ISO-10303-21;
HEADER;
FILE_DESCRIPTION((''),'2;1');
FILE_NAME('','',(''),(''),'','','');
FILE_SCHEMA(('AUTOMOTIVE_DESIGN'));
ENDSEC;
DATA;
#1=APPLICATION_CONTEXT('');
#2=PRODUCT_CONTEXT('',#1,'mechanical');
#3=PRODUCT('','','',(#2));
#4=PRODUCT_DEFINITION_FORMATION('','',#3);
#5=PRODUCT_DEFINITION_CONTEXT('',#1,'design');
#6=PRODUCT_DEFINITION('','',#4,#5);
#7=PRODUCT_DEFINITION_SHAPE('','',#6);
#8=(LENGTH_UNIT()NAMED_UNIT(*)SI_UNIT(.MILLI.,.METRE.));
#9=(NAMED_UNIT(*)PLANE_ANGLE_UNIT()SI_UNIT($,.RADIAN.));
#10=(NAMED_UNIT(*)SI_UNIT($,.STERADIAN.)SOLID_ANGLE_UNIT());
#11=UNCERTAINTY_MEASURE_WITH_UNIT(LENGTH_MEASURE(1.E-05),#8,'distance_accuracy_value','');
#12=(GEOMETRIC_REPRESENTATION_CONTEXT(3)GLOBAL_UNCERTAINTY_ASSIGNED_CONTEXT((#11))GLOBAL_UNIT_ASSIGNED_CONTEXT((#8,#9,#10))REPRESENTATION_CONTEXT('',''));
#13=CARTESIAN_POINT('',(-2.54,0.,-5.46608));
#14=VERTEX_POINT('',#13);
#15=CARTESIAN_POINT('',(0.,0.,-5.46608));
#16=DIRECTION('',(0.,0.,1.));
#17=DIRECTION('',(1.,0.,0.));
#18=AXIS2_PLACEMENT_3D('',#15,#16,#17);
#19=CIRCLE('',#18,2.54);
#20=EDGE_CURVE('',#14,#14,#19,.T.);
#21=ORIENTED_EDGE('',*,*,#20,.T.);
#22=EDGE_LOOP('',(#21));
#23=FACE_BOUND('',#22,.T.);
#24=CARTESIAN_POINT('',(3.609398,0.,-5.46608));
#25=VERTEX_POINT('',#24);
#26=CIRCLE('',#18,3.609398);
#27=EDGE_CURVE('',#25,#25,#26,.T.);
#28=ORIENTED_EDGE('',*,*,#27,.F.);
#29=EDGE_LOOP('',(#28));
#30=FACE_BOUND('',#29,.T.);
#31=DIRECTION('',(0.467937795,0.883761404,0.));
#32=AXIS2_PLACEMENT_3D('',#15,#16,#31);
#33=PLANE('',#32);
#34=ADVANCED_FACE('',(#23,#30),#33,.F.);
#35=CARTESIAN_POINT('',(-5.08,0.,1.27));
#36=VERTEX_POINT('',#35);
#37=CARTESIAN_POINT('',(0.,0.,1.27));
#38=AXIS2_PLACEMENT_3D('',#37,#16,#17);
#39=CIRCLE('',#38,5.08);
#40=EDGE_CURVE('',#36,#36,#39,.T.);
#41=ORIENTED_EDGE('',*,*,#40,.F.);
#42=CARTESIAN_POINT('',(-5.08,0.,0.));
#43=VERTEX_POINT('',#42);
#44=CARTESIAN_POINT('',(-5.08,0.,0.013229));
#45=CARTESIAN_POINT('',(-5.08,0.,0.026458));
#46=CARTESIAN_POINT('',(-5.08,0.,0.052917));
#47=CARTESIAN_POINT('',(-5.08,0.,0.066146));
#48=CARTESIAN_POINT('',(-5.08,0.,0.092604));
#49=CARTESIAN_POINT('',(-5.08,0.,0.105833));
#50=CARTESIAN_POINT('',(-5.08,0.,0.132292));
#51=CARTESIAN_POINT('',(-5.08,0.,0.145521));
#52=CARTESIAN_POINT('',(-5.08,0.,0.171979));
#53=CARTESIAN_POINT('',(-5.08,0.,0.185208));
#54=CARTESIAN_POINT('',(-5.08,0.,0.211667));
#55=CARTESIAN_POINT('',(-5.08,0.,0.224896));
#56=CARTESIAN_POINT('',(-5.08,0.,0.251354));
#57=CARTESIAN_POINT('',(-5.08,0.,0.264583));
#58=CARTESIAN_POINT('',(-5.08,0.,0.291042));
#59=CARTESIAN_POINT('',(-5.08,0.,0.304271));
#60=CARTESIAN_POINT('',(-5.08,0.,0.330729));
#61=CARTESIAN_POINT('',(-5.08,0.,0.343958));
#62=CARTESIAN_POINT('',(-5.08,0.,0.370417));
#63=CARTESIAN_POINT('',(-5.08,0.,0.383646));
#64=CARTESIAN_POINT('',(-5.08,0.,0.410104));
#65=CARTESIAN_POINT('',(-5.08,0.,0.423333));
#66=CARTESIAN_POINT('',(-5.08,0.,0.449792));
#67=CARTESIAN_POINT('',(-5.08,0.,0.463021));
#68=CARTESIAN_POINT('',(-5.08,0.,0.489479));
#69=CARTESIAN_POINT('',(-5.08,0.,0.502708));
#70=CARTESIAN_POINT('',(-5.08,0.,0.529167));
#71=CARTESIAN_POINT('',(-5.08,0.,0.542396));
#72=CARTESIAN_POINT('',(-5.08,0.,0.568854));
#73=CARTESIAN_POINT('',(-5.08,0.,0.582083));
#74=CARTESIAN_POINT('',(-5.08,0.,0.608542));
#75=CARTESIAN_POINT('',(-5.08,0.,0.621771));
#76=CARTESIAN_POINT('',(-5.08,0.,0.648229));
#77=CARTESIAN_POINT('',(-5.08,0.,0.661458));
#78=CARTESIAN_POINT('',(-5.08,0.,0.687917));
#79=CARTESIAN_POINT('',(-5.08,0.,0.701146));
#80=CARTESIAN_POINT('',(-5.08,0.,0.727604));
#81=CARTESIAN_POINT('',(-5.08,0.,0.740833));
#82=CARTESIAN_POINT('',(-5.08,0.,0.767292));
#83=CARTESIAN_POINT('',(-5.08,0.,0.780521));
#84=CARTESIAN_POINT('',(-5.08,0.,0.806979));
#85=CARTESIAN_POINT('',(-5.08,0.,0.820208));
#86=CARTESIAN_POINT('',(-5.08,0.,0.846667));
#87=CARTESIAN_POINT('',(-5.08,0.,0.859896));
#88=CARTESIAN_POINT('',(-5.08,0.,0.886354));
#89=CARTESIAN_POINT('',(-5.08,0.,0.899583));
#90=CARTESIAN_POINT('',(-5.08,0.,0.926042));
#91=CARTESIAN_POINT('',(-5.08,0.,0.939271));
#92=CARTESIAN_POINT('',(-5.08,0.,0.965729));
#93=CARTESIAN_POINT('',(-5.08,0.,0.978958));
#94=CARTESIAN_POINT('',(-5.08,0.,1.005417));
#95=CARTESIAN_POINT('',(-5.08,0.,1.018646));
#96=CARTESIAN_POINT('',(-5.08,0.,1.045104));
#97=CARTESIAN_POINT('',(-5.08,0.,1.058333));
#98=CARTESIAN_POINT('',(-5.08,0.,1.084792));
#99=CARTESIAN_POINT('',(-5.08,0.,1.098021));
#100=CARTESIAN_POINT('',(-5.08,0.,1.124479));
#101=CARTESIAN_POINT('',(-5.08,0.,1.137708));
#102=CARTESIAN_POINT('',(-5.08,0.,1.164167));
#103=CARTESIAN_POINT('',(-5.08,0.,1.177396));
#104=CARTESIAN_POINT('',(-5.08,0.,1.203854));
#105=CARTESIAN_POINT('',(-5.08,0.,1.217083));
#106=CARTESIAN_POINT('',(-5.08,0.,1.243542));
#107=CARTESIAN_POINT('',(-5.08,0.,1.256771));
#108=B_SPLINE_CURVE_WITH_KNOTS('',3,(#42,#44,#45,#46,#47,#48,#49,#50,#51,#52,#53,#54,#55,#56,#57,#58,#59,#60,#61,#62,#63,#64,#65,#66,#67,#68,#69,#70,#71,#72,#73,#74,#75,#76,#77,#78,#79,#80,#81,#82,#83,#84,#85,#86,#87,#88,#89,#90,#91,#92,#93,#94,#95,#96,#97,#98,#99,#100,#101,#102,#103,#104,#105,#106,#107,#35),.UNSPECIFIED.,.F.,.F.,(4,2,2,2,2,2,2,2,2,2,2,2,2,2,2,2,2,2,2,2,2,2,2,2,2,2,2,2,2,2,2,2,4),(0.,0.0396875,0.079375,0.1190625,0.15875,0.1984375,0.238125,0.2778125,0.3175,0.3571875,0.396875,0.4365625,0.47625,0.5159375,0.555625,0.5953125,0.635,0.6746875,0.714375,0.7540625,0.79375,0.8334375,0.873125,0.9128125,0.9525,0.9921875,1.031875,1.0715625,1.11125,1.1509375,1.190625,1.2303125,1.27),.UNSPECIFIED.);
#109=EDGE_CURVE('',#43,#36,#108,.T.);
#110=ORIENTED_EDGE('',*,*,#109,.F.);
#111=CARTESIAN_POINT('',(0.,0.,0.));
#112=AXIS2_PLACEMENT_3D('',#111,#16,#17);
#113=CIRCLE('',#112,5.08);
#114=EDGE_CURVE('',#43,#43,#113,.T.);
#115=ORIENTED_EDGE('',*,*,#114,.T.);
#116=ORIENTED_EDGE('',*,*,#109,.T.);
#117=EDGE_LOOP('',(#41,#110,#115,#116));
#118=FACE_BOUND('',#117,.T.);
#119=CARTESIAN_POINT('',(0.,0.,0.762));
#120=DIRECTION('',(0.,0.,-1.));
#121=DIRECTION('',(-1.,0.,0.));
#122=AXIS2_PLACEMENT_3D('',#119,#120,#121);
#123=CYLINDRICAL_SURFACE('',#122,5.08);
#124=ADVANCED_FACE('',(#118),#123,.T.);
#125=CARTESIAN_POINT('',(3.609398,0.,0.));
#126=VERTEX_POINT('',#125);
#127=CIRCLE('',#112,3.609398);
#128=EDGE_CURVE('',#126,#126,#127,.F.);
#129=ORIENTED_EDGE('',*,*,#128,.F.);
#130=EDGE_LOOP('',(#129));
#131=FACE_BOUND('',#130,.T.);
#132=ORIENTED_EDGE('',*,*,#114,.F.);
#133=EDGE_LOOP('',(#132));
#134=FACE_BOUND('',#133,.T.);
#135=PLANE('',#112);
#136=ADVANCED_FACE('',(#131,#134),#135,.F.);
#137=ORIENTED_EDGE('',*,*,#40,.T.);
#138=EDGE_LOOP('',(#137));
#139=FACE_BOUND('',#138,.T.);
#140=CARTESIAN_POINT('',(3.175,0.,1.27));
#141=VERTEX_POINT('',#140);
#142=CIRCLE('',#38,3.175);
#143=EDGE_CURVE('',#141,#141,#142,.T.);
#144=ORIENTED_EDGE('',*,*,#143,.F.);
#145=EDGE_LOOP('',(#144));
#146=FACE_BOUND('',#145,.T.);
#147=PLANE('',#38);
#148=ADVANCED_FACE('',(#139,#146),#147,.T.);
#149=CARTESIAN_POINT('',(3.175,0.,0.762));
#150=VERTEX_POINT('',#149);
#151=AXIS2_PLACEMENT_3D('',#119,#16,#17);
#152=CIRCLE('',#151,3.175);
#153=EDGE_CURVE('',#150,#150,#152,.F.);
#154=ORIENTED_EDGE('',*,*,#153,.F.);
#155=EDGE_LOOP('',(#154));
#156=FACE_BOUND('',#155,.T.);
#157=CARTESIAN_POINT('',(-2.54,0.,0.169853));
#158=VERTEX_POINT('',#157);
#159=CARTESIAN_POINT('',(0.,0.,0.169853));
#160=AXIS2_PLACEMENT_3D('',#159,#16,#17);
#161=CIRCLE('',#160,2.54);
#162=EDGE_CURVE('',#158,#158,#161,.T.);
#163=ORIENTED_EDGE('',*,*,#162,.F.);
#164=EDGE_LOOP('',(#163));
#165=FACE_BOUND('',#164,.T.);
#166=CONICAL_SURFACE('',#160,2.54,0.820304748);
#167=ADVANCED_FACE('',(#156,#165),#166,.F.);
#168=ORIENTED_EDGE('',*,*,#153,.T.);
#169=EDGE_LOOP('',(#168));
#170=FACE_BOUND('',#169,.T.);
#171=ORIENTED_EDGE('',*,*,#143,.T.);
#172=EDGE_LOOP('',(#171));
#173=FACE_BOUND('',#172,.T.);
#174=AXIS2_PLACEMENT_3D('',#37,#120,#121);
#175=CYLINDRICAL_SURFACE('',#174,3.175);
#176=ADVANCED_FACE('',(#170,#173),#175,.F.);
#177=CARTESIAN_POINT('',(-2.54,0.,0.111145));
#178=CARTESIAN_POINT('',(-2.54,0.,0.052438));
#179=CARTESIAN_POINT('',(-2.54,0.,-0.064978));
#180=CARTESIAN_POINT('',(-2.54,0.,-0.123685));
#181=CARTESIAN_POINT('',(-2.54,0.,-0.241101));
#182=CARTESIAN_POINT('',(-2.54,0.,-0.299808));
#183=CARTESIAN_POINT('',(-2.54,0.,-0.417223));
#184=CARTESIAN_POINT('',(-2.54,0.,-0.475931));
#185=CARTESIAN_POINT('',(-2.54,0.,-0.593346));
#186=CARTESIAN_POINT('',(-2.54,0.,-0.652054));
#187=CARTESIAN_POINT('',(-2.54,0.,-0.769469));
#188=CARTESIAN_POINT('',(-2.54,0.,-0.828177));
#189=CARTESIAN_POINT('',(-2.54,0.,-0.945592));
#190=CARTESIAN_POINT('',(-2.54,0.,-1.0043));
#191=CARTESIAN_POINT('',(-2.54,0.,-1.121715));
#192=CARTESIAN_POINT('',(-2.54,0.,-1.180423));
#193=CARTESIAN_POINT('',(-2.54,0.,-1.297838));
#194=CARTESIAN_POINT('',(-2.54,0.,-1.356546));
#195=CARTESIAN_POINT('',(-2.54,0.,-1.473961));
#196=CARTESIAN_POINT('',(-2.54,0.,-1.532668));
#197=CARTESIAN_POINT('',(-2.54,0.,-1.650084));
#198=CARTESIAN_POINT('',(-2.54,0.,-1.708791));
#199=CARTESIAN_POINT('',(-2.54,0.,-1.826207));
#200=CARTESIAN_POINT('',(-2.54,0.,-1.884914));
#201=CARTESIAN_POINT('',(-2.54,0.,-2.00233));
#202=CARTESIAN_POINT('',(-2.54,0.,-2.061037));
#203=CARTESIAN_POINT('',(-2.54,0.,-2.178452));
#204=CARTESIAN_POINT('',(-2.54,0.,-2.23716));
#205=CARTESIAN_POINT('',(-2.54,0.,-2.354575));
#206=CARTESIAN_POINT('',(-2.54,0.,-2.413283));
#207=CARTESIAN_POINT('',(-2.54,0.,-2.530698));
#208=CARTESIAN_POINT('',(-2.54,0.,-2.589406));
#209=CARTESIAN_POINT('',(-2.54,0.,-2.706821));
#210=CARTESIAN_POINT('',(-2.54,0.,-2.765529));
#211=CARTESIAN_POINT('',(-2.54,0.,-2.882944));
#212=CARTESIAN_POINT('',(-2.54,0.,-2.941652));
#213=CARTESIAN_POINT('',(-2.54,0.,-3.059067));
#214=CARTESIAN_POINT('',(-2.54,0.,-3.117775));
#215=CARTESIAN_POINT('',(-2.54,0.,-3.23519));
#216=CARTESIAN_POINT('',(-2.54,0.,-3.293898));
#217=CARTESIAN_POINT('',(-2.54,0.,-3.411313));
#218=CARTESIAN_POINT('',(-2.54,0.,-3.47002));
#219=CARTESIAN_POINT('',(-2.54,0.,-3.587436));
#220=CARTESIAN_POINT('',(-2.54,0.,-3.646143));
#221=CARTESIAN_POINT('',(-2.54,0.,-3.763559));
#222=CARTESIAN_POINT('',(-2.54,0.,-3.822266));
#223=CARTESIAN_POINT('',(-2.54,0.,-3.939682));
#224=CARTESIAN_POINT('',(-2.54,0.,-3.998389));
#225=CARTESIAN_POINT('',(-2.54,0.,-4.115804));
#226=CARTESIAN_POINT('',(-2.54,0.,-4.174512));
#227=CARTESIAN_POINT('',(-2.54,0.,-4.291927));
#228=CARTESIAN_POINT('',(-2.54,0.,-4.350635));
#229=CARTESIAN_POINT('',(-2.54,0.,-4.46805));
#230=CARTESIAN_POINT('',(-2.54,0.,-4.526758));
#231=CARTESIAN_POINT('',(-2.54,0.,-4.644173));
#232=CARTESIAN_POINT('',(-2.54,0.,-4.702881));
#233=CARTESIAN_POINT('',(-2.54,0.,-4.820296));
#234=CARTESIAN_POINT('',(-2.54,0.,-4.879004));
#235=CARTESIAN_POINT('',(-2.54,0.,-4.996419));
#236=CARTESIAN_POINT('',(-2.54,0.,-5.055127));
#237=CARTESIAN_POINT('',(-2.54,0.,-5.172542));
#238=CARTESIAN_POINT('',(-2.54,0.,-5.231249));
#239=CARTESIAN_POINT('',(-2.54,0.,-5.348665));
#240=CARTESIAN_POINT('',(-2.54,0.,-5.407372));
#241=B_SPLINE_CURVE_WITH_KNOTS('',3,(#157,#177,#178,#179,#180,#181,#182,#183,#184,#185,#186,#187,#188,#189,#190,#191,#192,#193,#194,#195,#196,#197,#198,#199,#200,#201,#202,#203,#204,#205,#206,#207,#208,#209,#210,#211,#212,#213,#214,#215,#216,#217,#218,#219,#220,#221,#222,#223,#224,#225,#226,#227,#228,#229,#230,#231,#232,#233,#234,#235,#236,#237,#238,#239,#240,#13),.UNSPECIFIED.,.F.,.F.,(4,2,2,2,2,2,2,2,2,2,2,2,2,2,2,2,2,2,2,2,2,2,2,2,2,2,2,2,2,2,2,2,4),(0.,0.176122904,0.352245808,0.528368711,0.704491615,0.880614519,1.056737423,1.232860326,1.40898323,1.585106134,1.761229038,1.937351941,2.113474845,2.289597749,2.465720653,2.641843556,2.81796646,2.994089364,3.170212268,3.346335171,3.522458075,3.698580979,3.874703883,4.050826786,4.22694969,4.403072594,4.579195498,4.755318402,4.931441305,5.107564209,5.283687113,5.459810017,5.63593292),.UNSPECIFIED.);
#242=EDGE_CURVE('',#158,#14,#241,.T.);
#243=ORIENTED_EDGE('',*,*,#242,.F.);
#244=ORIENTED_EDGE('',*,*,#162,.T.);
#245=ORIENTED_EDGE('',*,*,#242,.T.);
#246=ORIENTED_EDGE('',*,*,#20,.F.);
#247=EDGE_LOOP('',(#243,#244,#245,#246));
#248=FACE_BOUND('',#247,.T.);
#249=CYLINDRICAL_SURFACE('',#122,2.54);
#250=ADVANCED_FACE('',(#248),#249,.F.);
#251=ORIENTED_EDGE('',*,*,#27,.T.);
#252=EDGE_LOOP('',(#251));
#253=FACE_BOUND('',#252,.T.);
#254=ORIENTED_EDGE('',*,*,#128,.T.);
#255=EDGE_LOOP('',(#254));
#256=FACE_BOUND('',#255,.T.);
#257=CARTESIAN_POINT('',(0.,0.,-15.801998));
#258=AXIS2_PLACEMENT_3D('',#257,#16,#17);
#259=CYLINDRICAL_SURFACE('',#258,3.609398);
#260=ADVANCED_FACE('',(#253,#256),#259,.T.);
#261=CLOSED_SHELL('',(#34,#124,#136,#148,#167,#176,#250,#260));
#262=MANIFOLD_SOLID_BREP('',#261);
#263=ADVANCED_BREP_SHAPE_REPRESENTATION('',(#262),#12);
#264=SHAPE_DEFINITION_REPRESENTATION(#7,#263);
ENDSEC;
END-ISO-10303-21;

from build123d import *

# Parameters (mm, degrees)
SKETCH1_R           = 5.08
SKETCH1_R_2         = 2.54
BOSS_EXTRUDE1_DEPTH = 0.762
CHAMFER2_SIZE       = 0.635
CHAMFER2_SIZE2      = 0.59214708
SKETCH3_R           = 5.08
SKETCH3_R_2         = 3.175
BOSS_EXTRUDE3_DEPTH = 0.508
BOSS_EXTRUDE4_START = 5.46608
SKETCH4_R           = 3.609397664
SKETCH4_R_2         = 2.54
BOSS_EXTRUDE4_DEPTH = 5.46608


with BuildPart() as part:
    # Sketch1 → Boss-Extrude1 (new body)
    with BuildSketch(Plane.XY):
        with Locations(Location((0, 0, 0), (0, 0, 180))):
            Circle(SKETCH1_R)
        with Locations(Location((0, 0, 0), (0, 0, 180))):
            Circle(SKETCH1_R_2, mode=Mode.SUBTRACT)
    extrude(amount=BOSS_EXTRUDE1_DEPTH)

    # Chamfer2
    chamfer2_edges = [part.edges().sort_by_distance(p)[0] for p in [
        (2.54, 0, 0.762),
    ]]
    chamfer2_side = [part.faces().sort_by_distance(p)[0] for p in [
        (4.936315902, 0, 0.762),
    ]]
    chamfer(chamfer2_edges, length=CHAMFER2_SIZE, length2=CHAMFER2_SIZE2, reference=chamfer2_side[0])

    # Sketch3 → Boss-Extrude3 (add)
    with BuildSketch(Plane.XY.offset(0.762)):
        with Locations(Location((0, 0, 0), (0, 0, 180))):
            Circle(SKETCH3_R)
        Circle(SKETCH3_R_2, mode=Mode.SUBTRACT)
    extrude(amount=BOSS_EXTRUDE3_DEPTH)

    # Sketch4 → Boss-Extrude4 (add)
    with BuildSketch(Plane(origin=(0, 0, 0), x_dir=(-1, 0, 0), z_dir=(0, 0, -1)).offset(BOSS_EXTRUDE4_START)):
        with Locations(Location((0, 0, 0), (0, 0, 180))):
            Circle(SKETCH4_R)
        Circle(SKETCH4_R_2, mode=Mode.SUBTRACT)
    extrude(amount=-BOSS_EXTRUDE4_DEPTH)


solid = part.part
